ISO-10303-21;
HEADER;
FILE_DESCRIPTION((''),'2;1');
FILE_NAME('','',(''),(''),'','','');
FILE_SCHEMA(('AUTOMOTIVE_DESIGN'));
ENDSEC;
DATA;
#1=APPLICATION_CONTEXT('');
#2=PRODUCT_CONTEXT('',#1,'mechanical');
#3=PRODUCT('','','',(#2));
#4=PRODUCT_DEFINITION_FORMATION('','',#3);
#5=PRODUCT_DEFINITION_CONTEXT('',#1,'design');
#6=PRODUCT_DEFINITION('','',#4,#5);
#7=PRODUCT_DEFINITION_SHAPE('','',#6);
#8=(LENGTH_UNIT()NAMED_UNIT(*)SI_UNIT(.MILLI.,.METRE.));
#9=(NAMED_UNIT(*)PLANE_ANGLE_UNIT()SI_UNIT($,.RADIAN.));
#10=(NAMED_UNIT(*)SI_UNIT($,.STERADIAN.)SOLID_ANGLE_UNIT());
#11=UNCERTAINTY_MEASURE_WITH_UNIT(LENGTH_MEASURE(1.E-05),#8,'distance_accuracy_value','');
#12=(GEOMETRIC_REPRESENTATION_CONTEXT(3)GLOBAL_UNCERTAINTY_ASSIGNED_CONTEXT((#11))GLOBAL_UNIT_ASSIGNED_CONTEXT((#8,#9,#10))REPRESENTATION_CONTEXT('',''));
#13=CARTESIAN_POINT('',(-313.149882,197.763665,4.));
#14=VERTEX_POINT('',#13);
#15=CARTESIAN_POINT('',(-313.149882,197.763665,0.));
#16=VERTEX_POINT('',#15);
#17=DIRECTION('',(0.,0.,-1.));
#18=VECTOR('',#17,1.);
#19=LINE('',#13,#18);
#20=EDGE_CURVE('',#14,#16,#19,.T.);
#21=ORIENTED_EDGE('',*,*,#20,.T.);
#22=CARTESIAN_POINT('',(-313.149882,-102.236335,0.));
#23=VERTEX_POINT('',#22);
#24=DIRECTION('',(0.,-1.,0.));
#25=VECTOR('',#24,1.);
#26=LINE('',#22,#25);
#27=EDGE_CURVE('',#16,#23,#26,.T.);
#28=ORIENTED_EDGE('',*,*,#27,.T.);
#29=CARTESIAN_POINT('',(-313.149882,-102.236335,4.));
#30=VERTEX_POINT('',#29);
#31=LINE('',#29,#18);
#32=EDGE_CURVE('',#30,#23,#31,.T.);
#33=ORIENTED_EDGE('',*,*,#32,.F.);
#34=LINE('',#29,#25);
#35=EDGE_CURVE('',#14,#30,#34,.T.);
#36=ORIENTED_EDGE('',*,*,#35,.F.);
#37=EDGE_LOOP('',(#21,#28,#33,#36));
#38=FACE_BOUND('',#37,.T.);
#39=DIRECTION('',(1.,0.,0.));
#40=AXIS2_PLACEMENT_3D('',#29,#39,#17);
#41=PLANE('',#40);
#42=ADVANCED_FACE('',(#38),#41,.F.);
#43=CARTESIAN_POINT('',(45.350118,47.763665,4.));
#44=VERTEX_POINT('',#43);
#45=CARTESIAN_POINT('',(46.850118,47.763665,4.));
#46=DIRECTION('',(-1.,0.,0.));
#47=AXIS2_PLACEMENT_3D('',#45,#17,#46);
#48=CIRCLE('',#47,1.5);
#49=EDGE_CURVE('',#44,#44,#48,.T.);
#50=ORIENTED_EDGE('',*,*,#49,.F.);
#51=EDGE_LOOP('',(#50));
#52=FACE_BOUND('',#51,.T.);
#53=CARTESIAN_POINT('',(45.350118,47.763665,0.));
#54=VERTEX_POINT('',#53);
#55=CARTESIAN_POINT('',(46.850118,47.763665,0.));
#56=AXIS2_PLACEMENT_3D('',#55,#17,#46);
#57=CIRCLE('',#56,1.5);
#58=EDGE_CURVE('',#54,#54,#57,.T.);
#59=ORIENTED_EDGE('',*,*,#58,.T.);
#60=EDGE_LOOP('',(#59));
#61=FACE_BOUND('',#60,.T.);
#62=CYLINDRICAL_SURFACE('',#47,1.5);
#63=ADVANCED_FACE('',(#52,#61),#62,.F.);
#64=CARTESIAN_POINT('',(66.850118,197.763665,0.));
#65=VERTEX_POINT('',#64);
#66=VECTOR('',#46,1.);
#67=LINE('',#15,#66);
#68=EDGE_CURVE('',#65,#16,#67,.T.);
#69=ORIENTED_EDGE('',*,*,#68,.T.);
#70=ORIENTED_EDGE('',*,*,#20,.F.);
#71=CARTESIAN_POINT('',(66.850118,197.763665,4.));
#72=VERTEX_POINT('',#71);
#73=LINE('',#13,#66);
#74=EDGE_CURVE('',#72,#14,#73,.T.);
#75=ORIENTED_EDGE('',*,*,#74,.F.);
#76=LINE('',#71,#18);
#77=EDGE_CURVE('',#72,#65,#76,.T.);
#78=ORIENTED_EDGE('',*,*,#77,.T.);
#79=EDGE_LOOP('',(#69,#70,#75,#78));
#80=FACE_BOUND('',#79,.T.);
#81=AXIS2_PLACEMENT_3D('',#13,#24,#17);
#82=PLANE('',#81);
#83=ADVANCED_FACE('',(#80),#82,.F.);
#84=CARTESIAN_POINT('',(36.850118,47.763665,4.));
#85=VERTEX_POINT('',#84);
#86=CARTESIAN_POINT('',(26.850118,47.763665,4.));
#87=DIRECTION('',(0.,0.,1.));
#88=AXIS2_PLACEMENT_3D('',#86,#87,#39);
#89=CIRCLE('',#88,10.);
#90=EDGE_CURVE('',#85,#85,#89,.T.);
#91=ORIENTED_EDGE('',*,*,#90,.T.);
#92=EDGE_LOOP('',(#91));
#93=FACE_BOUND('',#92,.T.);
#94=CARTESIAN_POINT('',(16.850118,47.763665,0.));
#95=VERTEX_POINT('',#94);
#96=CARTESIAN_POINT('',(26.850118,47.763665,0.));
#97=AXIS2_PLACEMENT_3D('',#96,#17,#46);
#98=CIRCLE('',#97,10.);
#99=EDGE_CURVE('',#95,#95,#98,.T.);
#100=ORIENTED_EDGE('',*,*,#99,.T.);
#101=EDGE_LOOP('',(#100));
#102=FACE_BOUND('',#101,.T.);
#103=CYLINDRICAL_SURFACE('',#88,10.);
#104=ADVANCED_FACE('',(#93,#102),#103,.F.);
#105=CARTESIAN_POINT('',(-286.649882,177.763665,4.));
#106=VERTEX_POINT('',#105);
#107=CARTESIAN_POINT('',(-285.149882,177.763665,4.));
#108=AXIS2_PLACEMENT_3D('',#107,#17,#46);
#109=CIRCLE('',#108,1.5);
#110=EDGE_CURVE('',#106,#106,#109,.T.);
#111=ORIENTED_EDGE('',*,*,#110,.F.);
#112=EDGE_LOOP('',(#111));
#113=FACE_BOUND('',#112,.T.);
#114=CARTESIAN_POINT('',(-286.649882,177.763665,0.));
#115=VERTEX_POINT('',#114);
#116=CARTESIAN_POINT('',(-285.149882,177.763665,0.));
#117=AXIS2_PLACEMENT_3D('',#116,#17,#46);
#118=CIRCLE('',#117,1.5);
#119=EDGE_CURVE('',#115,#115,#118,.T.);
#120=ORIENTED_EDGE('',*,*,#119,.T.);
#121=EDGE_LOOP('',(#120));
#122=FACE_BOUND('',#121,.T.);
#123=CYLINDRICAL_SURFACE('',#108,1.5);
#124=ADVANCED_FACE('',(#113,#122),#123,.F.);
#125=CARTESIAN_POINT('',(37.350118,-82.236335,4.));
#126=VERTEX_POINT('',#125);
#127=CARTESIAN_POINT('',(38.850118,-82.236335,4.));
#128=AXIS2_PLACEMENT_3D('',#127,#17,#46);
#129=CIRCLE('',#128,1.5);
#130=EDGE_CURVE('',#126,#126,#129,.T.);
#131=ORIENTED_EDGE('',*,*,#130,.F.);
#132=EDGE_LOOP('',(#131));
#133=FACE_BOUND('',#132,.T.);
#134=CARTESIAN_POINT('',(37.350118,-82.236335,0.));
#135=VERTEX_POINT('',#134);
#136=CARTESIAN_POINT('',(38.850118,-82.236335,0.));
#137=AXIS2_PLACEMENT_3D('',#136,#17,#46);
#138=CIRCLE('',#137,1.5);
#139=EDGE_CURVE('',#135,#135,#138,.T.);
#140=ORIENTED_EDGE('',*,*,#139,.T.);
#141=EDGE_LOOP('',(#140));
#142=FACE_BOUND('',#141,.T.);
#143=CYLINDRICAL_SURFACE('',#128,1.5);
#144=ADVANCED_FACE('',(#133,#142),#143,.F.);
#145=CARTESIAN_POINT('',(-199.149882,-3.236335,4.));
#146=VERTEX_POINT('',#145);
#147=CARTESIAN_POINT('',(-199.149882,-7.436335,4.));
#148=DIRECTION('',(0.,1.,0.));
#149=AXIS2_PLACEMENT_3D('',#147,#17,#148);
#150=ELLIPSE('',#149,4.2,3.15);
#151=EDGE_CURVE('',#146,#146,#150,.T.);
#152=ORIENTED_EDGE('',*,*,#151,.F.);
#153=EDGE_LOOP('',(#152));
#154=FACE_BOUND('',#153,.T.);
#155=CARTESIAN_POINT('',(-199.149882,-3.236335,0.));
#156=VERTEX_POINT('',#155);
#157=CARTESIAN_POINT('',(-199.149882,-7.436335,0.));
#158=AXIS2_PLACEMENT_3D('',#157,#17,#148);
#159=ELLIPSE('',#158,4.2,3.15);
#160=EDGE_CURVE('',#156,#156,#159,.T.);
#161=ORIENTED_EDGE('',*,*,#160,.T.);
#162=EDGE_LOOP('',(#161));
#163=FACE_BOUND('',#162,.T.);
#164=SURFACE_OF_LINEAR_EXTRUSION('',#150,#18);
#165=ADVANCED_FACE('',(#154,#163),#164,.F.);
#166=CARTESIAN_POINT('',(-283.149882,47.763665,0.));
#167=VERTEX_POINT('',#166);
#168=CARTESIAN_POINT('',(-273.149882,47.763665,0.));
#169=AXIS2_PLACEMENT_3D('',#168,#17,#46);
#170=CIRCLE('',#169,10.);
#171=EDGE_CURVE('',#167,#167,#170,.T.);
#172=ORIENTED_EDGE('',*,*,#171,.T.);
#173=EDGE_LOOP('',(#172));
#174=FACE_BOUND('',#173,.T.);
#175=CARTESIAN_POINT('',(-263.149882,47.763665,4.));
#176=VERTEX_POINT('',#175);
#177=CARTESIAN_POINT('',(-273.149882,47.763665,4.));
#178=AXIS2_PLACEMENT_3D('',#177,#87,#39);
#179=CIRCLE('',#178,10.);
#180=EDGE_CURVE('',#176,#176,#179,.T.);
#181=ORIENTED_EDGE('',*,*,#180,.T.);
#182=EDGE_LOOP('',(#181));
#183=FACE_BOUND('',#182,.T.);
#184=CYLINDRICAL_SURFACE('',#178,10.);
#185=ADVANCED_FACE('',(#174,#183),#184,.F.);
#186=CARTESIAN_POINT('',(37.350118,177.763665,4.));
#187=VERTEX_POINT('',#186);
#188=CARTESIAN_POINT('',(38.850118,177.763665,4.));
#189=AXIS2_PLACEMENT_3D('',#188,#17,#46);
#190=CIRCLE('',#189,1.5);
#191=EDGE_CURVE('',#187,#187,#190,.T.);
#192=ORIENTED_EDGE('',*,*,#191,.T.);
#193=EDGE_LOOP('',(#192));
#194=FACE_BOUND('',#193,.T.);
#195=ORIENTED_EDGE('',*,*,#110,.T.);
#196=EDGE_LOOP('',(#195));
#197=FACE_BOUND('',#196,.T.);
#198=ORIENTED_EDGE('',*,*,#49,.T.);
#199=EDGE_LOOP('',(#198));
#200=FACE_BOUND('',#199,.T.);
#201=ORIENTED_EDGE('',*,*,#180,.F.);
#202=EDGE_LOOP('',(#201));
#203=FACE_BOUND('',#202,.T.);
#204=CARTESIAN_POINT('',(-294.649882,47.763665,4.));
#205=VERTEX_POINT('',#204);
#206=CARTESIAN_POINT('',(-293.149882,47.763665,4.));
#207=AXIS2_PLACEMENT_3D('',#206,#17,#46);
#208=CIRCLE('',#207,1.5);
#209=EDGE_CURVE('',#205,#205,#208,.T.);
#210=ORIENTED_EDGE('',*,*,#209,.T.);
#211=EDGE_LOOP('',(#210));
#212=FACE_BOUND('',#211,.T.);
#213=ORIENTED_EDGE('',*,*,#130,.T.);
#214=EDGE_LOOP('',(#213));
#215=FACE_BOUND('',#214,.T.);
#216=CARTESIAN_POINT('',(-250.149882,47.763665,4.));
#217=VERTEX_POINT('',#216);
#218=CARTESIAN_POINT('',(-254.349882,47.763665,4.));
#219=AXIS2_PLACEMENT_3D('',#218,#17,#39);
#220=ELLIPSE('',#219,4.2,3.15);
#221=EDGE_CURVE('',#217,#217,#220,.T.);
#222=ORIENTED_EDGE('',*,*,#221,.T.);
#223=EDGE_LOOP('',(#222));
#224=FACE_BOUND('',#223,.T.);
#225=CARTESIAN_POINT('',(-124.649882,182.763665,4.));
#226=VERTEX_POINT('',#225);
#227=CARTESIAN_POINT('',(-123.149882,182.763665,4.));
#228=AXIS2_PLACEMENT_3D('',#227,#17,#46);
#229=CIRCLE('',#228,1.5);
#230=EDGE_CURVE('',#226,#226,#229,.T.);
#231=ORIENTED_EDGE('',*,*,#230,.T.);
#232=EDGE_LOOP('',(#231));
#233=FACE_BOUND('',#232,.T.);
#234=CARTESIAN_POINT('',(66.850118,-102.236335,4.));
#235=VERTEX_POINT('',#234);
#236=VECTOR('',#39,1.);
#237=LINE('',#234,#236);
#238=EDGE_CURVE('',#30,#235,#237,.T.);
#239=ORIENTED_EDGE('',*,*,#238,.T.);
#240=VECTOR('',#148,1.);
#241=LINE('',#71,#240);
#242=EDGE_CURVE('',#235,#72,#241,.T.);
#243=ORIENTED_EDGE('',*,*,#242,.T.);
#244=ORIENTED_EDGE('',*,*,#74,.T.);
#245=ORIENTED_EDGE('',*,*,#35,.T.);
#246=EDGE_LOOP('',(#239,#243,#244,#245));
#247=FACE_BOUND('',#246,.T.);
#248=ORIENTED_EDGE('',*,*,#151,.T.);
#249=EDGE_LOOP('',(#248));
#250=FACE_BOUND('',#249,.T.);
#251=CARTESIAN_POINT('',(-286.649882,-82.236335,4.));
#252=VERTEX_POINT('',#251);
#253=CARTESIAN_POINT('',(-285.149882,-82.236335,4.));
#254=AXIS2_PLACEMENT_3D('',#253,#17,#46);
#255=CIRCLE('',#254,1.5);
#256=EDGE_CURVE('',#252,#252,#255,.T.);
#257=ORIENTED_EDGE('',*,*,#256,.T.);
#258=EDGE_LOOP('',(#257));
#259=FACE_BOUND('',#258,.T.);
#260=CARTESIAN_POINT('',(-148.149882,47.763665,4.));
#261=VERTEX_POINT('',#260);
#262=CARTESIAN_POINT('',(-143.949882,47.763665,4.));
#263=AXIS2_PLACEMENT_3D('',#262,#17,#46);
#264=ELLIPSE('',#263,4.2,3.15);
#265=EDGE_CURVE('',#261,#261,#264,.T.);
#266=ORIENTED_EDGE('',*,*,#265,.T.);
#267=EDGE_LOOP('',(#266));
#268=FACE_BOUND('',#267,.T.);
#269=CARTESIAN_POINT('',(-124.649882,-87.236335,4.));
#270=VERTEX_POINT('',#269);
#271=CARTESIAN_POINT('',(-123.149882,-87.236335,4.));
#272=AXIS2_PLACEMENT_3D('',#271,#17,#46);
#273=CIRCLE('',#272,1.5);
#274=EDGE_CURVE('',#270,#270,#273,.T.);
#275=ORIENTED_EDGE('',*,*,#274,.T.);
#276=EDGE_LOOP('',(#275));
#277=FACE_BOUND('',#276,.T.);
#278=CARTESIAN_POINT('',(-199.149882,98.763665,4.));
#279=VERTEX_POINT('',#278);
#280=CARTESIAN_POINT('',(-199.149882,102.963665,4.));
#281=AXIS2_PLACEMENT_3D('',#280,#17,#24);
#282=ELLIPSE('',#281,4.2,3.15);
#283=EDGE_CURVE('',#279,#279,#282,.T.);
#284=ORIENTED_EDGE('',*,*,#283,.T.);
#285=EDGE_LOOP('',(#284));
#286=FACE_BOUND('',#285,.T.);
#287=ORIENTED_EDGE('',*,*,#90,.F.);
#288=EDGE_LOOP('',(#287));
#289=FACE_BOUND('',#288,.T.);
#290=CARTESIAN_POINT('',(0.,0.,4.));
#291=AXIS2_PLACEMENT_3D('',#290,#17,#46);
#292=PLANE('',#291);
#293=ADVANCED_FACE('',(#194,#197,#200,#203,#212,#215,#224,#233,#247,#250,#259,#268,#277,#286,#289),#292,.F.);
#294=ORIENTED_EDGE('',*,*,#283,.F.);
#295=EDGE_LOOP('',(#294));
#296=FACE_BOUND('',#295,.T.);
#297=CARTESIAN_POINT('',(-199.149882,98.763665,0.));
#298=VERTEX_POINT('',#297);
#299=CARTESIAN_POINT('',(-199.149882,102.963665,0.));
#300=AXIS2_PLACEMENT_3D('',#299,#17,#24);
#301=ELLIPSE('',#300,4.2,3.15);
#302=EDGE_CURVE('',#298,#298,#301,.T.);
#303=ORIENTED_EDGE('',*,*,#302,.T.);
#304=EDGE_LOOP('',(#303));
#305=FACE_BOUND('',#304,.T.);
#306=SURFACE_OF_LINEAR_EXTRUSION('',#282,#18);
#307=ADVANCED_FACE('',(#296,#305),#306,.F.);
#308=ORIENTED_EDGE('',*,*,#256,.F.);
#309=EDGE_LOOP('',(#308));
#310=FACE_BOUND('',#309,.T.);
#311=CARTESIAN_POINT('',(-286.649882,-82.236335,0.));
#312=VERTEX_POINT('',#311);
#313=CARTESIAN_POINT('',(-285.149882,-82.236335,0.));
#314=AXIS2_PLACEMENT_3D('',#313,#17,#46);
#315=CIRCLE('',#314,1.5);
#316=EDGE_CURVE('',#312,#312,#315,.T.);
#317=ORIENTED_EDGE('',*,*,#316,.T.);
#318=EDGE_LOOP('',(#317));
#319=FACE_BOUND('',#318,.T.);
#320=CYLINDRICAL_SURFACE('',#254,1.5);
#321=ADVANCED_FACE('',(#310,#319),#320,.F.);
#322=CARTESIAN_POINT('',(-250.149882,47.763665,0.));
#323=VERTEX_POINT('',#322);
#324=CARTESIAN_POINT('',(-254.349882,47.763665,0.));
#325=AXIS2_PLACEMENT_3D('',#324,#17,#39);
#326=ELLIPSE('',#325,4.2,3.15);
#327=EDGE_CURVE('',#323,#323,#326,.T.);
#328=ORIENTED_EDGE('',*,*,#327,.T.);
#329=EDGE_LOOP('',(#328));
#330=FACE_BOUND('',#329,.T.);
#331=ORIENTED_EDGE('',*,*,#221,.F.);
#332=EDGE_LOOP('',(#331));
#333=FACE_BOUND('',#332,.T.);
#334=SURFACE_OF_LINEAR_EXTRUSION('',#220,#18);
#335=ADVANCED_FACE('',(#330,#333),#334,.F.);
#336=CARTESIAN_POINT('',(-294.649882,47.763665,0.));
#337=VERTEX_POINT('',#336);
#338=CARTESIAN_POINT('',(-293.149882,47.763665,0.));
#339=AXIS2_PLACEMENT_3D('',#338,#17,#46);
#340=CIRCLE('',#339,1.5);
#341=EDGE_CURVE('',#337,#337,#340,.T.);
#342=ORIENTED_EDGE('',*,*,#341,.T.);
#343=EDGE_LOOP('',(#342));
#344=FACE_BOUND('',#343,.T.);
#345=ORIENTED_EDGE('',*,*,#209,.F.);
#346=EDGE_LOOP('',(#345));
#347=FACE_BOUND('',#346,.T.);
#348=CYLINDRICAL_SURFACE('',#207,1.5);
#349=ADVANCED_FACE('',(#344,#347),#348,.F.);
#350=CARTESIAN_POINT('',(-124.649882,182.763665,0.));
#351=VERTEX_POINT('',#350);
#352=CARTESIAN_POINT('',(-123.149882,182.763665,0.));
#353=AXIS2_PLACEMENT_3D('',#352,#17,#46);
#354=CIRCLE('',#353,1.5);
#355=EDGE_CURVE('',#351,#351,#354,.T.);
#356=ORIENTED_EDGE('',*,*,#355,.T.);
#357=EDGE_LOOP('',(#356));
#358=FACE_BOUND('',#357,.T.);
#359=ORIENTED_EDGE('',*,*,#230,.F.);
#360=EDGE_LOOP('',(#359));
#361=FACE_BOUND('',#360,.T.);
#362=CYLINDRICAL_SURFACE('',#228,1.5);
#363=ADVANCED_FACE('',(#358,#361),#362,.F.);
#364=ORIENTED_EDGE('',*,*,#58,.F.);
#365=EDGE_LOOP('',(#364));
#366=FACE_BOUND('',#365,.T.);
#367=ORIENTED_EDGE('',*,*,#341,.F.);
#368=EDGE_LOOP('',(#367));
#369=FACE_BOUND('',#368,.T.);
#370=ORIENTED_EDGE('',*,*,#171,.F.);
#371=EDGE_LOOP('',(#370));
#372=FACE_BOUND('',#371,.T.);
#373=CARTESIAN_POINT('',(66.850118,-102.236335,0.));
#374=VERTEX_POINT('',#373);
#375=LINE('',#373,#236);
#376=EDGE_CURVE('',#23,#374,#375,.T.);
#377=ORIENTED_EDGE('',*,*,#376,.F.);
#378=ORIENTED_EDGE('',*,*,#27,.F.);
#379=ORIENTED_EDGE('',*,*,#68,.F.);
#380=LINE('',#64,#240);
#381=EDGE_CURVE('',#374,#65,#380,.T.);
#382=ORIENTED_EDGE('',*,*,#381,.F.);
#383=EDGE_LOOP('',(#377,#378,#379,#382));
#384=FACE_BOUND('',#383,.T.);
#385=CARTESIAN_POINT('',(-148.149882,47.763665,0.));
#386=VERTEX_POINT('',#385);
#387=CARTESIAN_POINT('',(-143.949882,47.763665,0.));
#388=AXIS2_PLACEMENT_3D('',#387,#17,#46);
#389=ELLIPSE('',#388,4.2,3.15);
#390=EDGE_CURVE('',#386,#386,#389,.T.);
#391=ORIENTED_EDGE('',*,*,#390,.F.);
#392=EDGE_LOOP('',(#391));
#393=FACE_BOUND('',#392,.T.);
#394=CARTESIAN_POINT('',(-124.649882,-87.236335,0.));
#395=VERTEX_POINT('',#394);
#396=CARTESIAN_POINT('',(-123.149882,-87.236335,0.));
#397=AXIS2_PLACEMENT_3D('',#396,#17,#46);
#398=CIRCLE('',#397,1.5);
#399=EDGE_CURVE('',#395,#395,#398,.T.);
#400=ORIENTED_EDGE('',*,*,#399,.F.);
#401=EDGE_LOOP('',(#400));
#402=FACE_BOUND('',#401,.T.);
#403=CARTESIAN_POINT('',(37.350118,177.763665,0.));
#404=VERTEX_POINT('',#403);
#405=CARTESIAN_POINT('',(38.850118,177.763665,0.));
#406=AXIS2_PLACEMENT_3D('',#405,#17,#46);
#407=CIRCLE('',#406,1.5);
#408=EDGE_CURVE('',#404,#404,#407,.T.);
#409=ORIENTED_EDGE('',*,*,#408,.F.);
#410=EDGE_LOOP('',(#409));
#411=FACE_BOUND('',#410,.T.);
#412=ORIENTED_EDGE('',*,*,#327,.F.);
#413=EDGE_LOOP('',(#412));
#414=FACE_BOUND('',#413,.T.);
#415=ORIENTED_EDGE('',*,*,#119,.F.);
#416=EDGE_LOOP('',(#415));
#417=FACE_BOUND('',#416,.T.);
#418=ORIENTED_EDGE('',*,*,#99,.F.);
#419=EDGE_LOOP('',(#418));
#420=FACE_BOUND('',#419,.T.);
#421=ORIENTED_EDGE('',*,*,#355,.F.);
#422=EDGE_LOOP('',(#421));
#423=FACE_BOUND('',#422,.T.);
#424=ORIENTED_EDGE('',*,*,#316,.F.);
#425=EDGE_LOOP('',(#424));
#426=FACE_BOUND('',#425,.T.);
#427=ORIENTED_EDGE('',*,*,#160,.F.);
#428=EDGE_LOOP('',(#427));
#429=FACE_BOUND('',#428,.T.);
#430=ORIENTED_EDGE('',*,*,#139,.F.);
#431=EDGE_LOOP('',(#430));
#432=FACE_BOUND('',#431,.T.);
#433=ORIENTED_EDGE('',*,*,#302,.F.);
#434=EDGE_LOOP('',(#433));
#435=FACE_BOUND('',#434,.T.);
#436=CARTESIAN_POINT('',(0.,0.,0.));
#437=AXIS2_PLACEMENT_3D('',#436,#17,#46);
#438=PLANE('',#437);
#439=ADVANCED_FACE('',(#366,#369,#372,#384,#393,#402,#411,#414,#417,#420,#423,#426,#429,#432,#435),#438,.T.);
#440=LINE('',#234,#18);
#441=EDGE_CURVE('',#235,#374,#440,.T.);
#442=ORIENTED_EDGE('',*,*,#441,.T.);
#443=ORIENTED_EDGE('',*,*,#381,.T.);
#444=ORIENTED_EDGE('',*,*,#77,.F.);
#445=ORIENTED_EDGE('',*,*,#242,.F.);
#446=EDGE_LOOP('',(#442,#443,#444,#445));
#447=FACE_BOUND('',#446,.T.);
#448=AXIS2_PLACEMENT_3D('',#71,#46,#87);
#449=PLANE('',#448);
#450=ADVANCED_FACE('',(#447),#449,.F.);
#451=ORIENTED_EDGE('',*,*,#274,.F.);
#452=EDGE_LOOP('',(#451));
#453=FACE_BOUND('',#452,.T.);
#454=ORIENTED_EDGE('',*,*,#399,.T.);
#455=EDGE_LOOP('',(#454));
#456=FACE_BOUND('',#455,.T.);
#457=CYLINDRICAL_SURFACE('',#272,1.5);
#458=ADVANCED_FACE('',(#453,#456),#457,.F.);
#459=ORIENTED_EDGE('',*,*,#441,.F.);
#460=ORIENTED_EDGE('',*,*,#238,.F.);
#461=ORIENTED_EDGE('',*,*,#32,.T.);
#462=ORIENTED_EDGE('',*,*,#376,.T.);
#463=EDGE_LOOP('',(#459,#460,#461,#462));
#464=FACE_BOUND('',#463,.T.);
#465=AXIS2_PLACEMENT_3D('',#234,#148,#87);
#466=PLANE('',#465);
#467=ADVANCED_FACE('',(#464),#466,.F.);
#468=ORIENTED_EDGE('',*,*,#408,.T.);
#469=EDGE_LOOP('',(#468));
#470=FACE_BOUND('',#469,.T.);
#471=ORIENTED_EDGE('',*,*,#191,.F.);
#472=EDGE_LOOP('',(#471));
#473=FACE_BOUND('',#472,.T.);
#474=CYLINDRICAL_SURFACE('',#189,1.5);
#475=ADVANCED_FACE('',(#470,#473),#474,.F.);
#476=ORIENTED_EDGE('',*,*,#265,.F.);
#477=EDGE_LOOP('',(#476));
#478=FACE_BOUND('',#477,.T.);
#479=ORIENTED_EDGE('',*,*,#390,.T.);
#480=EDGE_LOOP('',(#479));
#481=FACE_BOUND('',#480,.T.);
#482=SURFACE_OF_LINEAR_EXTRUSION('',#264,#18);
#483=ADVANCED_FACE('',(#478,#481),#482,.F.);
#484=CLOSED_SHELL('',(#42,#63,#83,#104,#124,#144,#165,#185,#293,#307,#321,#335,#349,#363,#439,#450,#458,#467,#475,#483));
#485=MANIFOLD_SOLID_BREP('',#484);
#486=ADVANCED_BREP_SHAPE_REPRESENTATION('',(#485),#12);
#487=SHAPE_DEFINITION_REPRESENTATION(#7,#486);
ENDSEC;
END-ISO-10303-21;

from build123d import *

# Parameters (mm, degrees)
SKETCH3_W           = 380
SKETCH3_H           = 300
BOSS_EXTRUDE1_DEPTH = 4
HOLE2_D             = 20
HOLE2_DEPTH         = 100
SKETCH10_R          = 1.5
CUT_EXTRUDE1_DEPTH  = 4
SKETCH11_R          = 1.5
CUT_EXTRUDE2_DEPTH  = 4
SKETCH12_RX         = 4.2
SKETCH12_RY         = 3.15
CUT_EXTRUDE9_DEPTH  = 4


with BuildPart() as part:
    # Sketch3 → Boss-Extrude1 (new body)
    with BuildSketch(Plane.XY):
        with Locations((-123.149881766, 47.763665148)):
            Rectangle(SKETCH3_W, SKETCH3_H)
    extrude(amount=BOSS_EXTRUDE1_DEPTH)

    # Hole2
    with Locations(Plane(origin=(-273.149881766, 47.763665148, 4), x_dir=(1, 0, 0), z_dir=(0, 0, 1))):
        with Locations((0, 0), (300, 0)):
            Hole(HOLE2_D / 2, depth=HOLE2_DEPTH)

    # Sketch10 → Cut-Extrude1 (cut)
    with BuildSketch(Plane(origin=(0, 0, 0), x_dir=(-1, 0, 0), z_dir=(0, 0, -1))):
        with Locations((285.149881766, 177.763665148)):
            Circle(SKETCH10_R)
        with Locations((-38.850118234, 177.763665148)):
            Circle(SKETCH10_R)
        with Locations((-38.850118234, -82.236334852)):
            Circle(SKETCH10_R)
        with Locations((285.149881766, -82.236334852)):
            Circle(SKETCH10_R)
    extrude(amount=-CUT_EXTRUDE1_DEPTH, mode=Mode.SUBTRACT)

    # Sketch11 → Cut-Extrude2 (cut)
    with BuildSketch(Plane(origin=(0, 0, 0), x_dir=(-1, 0, 0), z_dir=(0, 0, -1))):
        with Locations((293.149881766, 47.763665148)):
            Circle(SKETCH11_R)
        with Locations((123.149881766, 182.763665148)):
            Circle(SKETCH11_R)
        with Locations((-46.850118234, 47.763665148)):
            Circle(SKETCH11_R)
        with Locations((123.149881766, -87.236334852)):
            Circle(SKETCH11_R)
    extrude(amount=-CUT_EXTRUDE2_DEPTH, mode=Mode.SUBTRACT)

    # Sketch12 → Cut-Extrude9 (cut)
    with BuildSketch(Plane(origin=(0, 0, 0), x_dir=(-1, 0, 0), z_dir=(0, 0, -1))):
        with Locations(Location((199.149881766, -7.436334852), (0, 0, 90))):
            Ellipse(SKETCH12_RX, SKETCH12_RY)
        with Locations(Location((143.949881766, 47.763665148), (0, 0, 0))):
            Ellipse(SKETCH12_RX, SKETCH12_RY)
        with Locations(Location((199.149881766, 102.963665148), (0, 0, -90))):
            Ellipse(SKETCH12_RX, SKETCH12_RY)
        with Locations(Location((254.349881766, 47.763665148), (0, 0, 180))):
            Ellipse(SKETCH12_RX, SKETCH12_RY)
    extrude(amount=-CUT_EXTRUDE9_DEPTH, mode=Mode.SUBTRACT)


solid = part.part
